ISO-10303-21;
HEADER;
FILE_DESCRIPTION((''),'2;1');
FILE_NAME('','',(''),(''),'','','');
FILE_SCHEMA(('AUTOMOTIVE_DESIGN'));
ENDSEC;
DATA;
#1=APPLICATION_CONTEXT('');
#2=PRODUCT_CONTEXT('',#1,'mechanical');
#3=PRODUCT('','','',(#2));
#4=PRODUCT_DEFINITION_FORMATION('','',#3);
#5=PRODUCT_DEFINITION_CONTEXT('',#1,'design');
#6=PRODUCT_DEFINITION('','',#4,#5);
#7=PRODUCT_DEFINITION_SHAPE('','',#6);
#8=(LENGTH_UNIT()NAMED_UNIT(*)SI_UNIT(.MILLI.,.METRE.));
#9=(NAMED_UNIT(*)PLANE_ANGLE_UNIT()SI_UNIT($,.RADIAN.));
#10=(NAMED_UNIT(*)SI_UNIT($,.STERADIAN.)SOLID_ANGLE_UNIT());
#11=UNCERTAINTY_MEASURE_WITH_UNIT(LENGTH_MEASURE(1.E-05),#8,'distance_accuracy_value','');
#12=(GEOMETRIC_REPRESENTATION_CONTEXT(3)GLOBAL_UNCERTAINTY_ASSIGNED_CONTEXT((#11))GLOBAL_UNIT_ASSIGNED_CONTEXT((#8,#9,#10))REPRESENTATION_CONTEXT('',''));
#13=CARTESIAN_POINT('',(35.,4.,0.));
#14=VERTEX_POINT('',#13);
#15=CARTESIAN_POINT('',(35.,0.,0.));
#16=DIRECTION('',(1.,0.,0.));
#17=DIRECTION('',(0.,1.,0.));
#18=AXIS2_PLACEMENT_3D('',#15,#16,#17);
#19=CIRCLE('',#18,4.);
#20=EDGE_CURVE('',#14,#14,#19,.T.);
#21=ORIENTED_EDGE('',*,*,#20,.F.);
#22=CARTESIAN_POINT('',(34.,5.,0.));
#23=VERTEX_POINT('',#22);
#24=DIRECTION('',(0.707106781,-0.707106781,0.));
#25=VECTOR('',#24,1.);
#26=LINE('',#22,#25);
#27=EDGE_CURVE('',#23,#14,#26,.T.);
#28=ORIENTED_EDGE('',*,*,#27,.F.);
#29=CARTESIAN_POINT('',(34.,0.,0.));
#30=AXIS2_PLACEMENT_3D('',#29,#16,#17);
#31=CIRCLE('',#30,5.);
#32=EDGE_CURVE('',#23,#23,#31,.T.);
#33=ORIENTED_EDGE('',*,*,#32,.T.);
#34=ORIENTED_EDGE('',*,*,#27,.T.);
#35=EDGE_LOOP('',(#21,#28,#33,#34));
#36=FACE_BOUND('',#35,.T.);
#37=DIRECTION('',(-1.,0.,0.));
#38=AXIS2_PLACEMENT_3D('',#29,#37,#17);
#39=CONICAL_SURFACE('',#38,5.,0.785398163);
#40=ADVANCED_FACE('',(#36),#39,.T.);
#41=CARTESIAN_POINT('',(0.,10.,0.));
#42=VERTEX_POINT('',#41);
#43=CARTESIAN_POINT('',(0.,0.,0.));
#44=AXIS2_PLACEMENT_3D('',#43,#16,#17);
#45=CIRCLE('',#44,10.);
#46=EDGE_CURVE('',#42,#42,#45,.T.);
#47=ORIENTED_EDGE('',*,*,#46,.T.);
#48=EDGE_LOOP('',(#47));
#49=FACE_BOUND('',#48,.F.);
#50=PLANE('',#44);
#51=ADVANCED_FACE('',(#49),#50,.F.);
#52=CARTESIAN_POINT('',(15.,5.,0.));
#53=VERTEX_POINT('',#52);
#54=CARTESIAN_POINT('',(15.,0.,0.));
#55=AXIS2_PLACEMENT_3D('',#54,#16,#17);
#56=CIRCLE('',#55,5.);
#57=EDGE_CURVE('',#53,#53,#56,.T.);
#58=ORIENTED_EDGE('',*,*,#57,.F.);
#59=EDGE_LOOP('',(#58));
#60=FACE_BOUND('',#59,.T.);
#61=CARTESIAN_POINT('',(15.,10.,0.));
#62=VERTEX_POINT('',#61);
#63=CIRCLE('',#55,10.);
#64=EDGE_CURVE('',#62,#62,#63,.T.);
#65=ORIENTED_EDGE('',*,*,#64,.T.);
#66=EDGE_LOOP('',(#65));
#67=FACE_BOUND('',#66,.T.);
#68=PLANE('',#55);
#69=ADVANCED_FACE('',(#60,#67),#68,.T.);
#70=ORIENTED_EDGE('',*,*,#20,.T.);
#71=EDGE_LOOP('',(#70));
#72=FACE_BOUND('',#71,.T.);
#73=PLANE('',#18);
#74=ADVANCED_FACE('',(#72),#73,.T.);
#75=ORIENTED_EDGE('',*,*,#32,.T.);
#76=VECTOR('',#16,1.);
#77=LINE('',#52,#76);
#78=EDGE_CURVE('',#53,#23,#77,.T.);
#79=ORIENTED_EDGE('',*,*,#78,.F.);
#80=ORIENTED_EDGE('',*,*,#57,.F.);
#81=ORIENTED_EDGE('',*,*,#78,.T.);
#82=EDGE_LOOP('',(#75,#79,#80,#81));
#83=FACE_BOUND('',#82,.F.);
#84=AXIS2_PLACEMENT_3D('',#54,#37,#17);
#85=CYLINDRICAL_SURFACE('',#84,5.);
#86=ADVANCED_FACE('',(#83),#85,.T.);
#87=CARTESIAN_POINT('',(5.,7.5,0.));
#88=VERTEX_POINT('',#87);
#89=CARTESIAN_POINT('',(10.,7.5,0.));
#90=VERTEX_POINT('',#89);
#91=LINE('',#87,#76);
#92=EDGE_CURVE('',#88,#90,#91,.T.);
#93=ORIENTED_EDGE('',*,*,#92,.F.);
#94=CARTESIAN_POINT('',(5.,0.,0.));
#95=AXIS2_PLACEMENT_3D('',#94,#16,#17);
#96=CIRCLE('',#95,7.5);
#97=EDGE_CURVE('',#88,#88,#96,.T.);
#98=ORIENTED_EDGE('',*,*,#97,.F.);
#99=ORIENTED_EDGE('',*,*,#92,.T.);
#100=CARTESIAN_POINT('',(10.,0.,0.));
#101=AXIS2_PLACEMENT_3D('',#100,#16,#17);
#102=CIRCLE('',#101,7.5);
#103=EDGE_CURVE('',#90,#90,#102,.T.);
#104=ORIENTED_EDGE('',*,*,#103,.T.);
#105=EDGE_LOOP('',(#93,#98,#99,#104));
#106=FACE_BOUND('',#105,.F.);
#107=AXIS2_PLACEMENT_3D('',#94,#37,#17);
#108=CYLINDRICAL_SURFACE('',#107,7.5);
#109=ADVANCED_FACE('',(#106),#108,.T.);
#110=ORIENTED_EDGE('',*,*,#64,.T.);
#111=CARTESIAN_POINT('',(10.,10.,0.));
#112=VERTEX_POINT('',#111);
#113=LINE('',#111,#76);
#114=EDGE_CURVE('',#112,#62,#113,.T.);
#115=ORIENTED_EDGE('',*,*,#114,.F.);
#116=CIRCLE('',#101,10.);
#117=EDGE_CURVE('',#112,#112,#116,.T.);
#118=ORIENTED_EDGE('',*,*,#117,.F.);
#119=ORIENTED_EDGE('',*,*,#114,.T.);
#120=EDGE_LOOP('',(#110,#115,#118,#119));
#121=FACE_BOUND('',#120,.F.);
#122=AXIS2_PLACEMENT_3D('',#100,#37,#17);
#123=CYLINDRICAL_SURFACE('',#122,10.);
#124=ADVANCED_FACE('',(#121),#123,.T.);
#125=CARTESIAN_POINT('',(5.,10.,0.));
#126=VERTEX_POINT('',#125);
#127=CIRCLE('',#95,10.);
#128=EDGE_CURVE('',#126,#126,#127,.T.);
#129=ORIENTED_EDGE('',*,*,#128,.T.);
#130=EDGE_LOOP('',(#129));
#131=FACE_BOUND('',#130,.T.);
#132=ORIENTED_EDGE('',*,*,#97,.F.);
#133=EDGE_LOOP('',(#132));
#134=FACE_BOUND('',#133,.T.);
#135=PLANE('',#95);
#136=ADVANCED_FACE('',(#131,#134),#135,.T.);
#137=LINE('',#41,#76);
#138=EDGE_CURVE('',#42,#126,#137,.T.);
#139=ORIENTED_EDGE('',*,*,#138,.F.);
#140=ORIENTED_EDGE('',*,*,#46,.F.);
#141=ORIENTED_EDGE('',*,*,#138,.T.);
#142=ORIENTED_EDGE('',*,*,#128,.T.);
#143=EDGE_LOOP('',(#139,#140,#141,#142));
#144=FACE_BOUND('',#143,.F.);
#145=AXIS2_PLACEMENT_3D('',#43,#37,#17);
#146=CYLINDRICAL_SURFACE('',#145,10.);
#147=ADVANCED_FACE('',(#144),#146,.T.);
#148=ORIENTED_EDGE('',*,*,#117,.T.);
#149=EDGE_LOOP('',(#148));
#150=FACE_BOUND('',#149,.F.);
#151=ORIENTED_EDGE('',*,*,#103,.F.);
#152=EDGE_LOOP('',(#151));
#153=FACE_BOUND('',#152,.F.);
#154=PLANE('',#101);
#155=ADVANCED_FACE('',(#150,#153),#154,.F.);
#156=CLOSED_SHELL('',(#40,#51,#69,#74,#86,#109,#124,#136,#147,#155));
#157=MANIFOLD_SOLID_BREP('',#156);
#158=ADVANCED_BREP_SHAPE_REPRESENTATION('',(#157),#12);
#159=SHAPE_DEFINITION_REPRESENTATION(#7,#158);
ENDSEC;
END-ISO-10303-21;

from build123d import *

# Parameters (mm, degrees)
F0_R     = 10
F1_DEPTH = 5
F2_R     = 7.5
F3_DEPTH = 5
F4_R     = 10
F5_DEPTH = 5
F6_R     = 5
F7_DEPTH = 20
F8_SIZE  = 1


with BuildPart() as f1:
    # F0 (on Right) → F1 (new body)
    with BuildSketch(Plane.YZ):
        Circle(F0_R)
    extrude(amount=F1_DEPTH)

    # F2 (on face) → F3 (join)
    with BuildSketch(Plane.YZ.offset(5)):
        Circle(F2_R)
    extrude(amount=F3_DEPTH)

    # F4 (on face) → F5 (join)
    with BuildSketch(Plane.YZ.offset(10)):
        Circle(F4_R)
    extrude(amount=F5_DEPTH)

    # F6 (on face) → F7 (join)
    with BuildSketch(Plane.YZ.offset(15)):
        Circle(F6_R)
    extrude(amount=F7_DEPTH)

    # F8
    f8_edges = [f1.edges().sort_by_distance(p)[0] for p in [
        (35, -5, 0),
    ]]
    chamfer(f8_edges, length=F8_SIZE)


solid = f1.part
